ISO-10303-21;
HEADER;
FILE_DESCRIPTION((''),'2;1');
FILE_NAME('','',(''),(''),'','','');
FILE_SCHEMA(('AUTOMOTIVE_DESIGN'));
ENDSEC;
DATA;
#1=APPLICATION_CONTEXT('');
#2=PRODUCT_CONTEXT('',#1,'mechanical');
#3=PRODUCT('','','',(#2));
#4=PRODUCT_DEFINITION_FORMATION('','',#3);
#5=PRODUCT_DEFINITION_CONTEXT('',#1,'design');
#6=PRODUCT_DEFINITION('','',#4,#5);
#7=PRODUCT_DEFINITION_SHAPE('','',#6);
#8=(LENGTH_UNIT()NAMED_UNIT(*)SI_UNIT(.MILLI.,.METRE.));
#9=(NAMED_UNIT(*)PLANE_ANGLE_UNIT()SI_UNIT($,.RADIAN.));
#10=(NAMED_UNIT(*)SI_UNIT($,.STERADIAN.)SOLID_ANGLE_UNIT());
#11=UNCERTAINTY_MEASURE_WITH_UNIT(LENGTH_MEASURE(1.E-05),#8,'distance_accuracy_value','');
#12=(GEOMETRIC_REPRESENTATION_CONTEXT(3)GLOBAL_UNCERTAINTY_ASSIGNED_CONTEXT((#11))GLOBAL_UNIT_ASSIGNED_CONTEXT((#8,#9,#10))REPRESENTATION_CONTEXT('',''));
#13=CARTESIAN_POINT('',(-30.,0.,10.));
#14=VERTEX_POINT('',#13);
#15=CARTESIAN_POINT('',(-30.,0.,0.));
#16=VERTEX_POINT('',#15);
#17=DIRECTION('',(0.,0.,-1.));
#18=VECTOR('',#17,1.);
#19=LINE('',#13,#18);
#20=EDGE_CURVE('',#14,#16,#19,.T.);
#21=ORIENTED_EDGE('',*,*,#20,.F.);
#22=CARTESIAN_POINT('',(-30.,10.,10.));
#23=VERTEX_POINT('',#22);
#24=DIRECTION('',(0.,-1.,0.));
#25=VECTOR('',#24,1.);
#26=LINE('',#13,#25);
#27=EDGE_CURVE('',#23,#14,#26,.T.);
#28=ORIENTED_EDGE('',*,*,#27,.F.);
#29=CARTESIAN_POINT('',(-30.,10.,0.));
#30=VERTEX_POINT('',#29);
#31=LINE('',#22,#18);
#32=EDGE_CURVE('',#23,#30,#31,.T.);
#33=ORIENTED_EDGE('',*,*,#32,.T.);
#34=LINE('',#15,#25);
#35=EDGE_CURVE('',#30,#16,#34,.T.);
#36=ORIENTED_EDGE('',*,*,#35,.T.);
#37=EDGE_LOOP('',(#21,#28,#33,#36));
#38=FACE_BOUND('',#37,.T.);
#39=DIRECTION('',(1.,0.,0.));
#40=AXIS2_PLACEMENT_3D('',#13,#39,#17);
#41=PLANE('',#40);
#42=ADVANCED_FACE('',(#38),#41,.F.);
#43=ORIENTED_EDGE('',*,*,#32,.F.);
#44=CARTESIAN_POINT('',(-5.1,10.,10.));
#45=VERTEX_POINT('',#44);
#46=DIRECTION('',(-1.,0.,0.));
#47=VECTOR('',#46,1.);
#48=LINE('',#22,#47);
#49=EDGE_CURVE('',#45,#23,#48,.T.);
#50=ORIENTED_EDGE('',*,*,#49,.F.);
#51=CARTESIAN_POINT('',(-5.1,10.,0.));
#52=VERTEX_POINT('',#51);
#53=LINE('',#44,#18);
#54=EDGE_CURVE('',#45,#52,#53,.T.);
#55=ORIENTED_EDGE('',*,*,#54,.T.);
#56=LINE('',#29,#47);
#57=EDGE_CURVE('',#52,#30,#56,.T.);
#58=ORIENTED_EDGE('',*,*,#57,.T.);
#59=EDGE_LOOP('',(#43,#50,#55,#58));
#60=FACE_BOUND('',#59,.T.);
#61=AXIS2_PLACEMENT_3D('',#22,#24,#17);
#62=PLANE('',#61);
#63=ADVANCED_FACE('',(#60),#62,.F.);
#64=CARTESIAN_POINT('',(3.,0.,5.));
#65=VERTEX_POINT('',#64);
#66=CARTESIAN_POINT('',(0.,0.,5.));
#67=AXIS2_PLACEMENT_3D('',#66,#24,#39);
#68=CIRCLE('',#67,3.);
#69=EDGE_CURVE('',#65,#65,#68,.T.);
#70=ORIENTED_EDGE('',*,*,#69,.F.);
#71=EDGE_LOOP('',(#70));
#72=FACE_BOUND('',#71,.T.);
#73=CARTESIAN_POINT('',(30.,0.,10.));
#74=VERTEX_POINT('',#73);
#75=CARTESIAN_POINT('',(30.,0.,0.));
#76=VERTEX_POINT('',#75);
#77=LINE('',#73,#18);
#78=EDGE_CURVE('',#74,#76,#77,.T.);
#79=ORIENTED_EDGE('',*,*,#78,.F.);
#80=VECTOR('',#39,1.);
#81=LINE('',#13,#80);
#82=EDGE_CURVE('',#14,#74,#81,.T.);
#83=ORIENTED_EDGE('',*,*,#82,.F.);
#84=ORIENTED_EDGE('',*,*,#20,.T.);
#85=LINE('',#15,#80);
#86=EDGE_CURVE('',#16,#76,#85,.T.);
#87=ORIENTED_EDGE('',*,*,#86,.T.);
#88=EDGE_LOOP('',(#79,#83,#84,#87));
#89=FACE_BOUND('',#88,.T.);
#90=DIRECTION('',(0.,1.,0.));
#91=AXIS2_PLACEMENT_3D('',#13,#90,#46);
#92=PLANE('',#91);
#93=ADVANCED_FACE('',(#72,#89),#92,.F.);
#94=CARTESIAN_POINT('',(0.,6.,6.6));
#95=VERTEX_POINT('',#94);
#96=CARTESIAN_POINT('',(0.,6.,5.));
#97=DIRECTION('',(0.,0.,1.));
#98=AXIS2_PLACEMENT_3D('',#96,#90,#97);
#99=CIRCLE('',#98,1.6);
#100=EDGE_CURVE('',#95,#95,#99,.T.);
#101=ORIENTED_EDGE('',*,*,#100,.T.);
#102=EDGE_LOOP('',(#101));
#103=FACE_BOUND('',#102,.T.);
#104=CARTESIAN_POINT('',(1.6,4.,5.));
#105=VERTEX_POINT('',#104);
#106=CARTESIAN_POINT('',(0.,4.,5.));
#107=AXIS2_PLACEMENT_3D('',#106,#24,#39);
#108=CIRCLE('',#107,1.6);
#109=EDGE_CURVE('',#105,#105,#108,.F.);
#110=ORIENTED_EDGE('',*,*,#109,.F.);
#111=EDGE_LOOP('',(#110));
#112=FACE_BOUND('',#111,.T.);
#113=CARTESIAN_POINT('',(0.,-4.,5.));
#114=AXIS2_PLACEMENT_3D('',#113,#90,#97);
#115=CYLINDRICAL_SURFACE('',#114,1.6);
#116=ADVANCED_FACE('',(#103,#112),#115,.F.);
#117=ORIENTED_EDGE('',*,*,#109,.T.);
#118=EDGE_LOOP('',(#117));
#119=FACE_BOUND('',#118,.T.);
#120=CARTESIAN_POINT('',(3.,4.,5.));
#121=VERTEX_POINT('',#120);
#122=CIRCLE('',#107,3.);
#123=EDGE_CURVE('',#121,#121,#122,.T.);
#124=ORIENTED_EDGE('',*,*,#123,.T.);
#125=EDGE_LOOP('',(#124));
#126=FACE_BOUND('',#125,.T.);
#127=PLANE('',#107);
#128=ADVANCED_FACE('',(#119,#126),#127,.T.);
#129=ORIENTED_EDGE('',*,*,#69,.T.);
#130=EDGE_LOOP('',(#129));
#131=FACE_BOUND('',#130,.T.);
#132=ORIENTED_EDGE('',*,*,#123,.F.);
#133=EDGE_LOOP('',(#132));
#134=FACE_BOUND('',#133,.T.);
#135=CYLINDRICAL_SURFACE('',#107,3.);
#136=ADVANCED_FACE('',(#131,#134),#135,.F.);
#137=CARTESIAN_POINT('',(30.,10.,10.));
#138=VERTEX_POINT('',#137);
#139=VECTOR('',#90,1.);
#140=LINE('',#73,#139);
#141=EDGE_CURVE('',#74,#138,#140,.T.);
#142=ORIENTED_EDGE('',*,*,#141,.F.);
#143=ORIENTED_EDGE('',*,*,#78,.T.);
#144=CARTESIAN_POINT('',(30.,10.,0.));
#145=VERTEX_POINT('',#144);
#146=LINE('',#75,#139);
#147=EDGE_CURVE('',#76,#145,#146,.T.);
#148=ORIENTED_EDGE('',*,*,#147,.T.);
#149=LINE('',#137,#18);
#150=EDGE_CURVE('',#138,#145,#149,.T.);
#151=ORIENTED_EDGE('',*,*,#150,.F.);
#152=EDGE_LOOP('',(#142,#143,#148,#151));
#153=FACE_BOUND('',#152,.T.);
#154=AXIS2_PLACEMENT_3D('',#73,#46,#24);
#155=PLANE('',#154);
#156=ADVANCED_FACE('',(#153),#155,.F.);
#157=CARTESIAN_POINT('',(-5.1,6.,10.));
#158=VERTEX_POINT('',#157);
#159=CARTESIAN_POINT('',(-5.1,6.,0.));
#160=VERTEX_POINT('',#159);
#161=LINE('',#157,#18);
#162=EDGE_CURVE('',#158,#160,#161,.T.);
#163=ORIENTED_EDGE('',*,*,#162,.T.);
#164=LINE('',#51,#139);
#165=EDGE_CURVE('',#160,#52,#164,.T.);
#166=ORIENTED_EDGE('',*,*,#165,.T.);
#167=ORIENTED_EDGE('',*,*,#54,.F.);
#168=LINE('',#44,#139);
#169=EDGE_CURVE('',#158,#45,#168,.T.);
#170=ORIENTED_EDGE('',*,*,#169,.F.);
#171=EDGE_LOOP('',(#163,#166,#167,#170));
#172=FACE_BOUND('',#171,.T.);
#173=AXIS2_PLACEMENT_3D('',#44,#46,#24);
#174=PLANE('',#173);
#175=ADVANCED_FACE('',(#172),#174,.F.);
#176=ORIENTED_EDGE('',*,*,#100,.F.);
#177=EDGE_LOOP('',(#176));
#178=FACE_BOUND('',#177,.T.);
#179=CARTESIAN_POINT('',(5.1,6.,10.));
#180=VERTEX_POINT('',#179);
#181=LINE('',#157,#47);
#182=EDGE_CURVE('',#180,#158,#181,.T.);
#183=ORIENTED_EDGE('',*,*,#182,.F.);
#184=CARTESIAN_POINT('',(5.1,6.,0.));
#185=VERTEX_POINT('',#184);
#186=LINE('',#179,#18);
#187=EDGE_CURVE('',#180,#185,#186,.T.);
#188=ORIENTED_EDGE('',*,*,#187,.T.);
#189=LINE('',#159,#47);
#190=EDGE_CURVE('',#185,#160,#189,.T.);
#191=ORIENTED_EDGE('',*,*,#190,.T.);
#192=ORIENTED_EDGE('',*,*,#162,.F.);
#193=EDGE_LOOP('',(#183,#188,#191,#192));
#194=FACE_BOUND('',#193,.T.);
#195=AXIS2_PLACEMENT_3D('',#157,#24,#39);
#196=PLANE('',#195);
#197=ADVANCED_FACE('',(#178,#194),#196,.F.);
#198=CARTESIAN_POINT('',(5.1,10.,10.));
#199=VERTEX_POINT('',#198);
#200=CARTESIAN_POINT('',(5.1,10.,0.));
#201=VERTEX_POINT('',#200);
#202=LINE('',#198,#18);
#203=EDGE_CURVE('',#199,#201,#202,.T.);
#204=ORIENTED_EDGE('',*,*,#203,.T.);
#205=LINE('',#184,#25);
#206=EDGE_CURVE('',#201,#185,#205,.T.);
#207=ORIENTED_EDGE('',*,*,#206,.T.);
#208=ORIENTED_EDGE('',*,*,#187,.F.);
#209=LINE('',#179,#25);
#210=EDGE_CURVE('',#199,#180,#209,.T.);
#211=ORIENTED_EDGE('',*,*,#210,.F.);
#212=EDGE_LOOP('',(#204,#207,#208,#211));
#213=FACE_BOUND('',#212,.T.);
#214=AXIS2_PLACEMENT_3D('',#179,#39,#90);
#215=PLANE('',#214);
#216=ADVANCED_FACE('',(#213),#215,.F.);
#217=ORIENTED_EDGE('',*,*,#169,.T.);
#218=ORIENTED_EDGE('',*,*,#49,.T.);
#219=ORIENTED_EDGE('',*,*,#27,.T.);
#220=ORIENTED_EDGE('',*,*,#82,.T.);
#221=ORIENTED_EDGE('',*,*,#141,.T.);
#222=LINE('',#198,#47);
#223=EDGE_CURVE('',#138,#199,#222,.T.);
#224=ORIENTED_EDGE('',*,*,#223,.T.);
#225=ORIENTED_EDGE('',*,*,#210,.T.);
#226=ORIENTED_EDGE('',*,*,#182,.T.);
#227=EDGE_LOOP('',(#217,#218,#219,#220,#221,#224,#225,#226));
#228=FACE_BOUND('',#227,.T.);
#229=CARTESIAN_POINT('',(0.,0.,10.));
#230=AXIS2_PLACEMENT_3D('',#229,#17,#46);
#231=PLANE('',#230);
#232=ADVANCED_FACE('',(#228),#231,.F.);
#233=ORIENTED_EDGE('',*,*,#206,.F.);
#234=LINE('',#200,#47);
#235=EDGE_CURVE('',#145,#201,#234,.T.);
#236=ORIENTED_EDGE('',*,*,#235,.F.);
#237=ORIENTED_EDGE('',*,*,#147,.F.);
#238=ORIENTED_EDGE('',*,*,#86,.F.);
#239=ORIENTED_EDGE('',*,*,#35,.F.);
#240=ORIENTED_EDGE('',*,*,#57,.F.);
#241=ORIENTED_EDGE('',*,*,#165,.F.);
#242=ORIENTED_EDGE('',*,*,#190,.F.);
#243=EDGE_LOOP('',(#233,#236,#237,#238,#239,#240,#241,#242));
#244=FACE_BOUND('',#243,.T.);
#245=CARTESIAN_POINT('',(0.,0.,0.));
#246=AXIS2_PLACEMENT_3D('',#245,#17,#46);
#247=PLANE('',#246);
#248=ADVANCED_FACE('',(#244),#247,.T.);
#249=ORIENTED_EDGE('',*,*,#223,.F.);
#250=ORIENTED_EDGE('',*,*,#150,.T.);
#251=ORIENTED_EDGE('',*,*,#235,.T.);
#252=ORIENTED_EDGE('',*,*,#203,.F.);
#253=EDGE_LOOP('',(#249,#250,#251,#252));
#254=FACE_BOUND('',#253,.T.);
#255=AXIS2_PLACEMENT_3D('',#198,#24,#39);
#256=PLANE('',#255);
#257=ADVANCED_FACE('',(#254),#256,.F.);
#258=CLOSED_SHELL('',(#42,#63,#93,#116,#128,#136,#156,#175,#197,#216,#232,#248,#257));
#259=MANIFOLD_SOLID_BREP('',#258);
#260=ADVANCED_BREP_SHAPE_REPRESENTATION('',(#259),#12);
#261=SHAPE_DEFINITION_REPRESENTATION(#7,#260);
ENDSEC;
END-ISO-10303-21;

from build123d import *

# Parameters (mm, degrees)
BOSS_EXTRUDE1_DEPTH = 10
SKETCH2_R           = 1.6
CUT_EXTRUDE1_DEPTH  = 10
SKETCH3_R           = 3
CUT_EXTRUDE2_DEPTH  = 4


with BuildPart() as part:
    # Sketch1 → Boss-Extrude1 (new body)
    with BuildSketch(Plane.XY):
        Polygon((-5.1, 10), (-5.1, 6), (5.1, 6), (5.1, 10), (30, 10), (30, 0), (-30, 0), (-30, 10), align=None)
    extrude(amount=BOSS_EXTRUDE1_DEPTH)

    # Sketch2 → Cut-Extrude1 (cut)
    with BuildSketch(Plane(origin=(0, 6, 0), x_dir=(1, 0, 0), z_dir=(0, 1, 0))):
        with Locations(Location((0, -5, 0), (0, 0, 270))):
            Circle(SKETCH2_R)
    extrude(amount=-CUT_EXTRUDE1_DEPTH, mode=Mode.SUBTRACT)

    # Sketch3 → Cut-Extrude2 (cut)
    with BuildSketch(Plane.XZ):
        with Locations((0, 5)):
            Circle(SKETCH3_R)
    extrude(amount=-CUT_EXTRUDE2_DEPTH, mode=Mode.SUBTRACT)


solid = part.part
